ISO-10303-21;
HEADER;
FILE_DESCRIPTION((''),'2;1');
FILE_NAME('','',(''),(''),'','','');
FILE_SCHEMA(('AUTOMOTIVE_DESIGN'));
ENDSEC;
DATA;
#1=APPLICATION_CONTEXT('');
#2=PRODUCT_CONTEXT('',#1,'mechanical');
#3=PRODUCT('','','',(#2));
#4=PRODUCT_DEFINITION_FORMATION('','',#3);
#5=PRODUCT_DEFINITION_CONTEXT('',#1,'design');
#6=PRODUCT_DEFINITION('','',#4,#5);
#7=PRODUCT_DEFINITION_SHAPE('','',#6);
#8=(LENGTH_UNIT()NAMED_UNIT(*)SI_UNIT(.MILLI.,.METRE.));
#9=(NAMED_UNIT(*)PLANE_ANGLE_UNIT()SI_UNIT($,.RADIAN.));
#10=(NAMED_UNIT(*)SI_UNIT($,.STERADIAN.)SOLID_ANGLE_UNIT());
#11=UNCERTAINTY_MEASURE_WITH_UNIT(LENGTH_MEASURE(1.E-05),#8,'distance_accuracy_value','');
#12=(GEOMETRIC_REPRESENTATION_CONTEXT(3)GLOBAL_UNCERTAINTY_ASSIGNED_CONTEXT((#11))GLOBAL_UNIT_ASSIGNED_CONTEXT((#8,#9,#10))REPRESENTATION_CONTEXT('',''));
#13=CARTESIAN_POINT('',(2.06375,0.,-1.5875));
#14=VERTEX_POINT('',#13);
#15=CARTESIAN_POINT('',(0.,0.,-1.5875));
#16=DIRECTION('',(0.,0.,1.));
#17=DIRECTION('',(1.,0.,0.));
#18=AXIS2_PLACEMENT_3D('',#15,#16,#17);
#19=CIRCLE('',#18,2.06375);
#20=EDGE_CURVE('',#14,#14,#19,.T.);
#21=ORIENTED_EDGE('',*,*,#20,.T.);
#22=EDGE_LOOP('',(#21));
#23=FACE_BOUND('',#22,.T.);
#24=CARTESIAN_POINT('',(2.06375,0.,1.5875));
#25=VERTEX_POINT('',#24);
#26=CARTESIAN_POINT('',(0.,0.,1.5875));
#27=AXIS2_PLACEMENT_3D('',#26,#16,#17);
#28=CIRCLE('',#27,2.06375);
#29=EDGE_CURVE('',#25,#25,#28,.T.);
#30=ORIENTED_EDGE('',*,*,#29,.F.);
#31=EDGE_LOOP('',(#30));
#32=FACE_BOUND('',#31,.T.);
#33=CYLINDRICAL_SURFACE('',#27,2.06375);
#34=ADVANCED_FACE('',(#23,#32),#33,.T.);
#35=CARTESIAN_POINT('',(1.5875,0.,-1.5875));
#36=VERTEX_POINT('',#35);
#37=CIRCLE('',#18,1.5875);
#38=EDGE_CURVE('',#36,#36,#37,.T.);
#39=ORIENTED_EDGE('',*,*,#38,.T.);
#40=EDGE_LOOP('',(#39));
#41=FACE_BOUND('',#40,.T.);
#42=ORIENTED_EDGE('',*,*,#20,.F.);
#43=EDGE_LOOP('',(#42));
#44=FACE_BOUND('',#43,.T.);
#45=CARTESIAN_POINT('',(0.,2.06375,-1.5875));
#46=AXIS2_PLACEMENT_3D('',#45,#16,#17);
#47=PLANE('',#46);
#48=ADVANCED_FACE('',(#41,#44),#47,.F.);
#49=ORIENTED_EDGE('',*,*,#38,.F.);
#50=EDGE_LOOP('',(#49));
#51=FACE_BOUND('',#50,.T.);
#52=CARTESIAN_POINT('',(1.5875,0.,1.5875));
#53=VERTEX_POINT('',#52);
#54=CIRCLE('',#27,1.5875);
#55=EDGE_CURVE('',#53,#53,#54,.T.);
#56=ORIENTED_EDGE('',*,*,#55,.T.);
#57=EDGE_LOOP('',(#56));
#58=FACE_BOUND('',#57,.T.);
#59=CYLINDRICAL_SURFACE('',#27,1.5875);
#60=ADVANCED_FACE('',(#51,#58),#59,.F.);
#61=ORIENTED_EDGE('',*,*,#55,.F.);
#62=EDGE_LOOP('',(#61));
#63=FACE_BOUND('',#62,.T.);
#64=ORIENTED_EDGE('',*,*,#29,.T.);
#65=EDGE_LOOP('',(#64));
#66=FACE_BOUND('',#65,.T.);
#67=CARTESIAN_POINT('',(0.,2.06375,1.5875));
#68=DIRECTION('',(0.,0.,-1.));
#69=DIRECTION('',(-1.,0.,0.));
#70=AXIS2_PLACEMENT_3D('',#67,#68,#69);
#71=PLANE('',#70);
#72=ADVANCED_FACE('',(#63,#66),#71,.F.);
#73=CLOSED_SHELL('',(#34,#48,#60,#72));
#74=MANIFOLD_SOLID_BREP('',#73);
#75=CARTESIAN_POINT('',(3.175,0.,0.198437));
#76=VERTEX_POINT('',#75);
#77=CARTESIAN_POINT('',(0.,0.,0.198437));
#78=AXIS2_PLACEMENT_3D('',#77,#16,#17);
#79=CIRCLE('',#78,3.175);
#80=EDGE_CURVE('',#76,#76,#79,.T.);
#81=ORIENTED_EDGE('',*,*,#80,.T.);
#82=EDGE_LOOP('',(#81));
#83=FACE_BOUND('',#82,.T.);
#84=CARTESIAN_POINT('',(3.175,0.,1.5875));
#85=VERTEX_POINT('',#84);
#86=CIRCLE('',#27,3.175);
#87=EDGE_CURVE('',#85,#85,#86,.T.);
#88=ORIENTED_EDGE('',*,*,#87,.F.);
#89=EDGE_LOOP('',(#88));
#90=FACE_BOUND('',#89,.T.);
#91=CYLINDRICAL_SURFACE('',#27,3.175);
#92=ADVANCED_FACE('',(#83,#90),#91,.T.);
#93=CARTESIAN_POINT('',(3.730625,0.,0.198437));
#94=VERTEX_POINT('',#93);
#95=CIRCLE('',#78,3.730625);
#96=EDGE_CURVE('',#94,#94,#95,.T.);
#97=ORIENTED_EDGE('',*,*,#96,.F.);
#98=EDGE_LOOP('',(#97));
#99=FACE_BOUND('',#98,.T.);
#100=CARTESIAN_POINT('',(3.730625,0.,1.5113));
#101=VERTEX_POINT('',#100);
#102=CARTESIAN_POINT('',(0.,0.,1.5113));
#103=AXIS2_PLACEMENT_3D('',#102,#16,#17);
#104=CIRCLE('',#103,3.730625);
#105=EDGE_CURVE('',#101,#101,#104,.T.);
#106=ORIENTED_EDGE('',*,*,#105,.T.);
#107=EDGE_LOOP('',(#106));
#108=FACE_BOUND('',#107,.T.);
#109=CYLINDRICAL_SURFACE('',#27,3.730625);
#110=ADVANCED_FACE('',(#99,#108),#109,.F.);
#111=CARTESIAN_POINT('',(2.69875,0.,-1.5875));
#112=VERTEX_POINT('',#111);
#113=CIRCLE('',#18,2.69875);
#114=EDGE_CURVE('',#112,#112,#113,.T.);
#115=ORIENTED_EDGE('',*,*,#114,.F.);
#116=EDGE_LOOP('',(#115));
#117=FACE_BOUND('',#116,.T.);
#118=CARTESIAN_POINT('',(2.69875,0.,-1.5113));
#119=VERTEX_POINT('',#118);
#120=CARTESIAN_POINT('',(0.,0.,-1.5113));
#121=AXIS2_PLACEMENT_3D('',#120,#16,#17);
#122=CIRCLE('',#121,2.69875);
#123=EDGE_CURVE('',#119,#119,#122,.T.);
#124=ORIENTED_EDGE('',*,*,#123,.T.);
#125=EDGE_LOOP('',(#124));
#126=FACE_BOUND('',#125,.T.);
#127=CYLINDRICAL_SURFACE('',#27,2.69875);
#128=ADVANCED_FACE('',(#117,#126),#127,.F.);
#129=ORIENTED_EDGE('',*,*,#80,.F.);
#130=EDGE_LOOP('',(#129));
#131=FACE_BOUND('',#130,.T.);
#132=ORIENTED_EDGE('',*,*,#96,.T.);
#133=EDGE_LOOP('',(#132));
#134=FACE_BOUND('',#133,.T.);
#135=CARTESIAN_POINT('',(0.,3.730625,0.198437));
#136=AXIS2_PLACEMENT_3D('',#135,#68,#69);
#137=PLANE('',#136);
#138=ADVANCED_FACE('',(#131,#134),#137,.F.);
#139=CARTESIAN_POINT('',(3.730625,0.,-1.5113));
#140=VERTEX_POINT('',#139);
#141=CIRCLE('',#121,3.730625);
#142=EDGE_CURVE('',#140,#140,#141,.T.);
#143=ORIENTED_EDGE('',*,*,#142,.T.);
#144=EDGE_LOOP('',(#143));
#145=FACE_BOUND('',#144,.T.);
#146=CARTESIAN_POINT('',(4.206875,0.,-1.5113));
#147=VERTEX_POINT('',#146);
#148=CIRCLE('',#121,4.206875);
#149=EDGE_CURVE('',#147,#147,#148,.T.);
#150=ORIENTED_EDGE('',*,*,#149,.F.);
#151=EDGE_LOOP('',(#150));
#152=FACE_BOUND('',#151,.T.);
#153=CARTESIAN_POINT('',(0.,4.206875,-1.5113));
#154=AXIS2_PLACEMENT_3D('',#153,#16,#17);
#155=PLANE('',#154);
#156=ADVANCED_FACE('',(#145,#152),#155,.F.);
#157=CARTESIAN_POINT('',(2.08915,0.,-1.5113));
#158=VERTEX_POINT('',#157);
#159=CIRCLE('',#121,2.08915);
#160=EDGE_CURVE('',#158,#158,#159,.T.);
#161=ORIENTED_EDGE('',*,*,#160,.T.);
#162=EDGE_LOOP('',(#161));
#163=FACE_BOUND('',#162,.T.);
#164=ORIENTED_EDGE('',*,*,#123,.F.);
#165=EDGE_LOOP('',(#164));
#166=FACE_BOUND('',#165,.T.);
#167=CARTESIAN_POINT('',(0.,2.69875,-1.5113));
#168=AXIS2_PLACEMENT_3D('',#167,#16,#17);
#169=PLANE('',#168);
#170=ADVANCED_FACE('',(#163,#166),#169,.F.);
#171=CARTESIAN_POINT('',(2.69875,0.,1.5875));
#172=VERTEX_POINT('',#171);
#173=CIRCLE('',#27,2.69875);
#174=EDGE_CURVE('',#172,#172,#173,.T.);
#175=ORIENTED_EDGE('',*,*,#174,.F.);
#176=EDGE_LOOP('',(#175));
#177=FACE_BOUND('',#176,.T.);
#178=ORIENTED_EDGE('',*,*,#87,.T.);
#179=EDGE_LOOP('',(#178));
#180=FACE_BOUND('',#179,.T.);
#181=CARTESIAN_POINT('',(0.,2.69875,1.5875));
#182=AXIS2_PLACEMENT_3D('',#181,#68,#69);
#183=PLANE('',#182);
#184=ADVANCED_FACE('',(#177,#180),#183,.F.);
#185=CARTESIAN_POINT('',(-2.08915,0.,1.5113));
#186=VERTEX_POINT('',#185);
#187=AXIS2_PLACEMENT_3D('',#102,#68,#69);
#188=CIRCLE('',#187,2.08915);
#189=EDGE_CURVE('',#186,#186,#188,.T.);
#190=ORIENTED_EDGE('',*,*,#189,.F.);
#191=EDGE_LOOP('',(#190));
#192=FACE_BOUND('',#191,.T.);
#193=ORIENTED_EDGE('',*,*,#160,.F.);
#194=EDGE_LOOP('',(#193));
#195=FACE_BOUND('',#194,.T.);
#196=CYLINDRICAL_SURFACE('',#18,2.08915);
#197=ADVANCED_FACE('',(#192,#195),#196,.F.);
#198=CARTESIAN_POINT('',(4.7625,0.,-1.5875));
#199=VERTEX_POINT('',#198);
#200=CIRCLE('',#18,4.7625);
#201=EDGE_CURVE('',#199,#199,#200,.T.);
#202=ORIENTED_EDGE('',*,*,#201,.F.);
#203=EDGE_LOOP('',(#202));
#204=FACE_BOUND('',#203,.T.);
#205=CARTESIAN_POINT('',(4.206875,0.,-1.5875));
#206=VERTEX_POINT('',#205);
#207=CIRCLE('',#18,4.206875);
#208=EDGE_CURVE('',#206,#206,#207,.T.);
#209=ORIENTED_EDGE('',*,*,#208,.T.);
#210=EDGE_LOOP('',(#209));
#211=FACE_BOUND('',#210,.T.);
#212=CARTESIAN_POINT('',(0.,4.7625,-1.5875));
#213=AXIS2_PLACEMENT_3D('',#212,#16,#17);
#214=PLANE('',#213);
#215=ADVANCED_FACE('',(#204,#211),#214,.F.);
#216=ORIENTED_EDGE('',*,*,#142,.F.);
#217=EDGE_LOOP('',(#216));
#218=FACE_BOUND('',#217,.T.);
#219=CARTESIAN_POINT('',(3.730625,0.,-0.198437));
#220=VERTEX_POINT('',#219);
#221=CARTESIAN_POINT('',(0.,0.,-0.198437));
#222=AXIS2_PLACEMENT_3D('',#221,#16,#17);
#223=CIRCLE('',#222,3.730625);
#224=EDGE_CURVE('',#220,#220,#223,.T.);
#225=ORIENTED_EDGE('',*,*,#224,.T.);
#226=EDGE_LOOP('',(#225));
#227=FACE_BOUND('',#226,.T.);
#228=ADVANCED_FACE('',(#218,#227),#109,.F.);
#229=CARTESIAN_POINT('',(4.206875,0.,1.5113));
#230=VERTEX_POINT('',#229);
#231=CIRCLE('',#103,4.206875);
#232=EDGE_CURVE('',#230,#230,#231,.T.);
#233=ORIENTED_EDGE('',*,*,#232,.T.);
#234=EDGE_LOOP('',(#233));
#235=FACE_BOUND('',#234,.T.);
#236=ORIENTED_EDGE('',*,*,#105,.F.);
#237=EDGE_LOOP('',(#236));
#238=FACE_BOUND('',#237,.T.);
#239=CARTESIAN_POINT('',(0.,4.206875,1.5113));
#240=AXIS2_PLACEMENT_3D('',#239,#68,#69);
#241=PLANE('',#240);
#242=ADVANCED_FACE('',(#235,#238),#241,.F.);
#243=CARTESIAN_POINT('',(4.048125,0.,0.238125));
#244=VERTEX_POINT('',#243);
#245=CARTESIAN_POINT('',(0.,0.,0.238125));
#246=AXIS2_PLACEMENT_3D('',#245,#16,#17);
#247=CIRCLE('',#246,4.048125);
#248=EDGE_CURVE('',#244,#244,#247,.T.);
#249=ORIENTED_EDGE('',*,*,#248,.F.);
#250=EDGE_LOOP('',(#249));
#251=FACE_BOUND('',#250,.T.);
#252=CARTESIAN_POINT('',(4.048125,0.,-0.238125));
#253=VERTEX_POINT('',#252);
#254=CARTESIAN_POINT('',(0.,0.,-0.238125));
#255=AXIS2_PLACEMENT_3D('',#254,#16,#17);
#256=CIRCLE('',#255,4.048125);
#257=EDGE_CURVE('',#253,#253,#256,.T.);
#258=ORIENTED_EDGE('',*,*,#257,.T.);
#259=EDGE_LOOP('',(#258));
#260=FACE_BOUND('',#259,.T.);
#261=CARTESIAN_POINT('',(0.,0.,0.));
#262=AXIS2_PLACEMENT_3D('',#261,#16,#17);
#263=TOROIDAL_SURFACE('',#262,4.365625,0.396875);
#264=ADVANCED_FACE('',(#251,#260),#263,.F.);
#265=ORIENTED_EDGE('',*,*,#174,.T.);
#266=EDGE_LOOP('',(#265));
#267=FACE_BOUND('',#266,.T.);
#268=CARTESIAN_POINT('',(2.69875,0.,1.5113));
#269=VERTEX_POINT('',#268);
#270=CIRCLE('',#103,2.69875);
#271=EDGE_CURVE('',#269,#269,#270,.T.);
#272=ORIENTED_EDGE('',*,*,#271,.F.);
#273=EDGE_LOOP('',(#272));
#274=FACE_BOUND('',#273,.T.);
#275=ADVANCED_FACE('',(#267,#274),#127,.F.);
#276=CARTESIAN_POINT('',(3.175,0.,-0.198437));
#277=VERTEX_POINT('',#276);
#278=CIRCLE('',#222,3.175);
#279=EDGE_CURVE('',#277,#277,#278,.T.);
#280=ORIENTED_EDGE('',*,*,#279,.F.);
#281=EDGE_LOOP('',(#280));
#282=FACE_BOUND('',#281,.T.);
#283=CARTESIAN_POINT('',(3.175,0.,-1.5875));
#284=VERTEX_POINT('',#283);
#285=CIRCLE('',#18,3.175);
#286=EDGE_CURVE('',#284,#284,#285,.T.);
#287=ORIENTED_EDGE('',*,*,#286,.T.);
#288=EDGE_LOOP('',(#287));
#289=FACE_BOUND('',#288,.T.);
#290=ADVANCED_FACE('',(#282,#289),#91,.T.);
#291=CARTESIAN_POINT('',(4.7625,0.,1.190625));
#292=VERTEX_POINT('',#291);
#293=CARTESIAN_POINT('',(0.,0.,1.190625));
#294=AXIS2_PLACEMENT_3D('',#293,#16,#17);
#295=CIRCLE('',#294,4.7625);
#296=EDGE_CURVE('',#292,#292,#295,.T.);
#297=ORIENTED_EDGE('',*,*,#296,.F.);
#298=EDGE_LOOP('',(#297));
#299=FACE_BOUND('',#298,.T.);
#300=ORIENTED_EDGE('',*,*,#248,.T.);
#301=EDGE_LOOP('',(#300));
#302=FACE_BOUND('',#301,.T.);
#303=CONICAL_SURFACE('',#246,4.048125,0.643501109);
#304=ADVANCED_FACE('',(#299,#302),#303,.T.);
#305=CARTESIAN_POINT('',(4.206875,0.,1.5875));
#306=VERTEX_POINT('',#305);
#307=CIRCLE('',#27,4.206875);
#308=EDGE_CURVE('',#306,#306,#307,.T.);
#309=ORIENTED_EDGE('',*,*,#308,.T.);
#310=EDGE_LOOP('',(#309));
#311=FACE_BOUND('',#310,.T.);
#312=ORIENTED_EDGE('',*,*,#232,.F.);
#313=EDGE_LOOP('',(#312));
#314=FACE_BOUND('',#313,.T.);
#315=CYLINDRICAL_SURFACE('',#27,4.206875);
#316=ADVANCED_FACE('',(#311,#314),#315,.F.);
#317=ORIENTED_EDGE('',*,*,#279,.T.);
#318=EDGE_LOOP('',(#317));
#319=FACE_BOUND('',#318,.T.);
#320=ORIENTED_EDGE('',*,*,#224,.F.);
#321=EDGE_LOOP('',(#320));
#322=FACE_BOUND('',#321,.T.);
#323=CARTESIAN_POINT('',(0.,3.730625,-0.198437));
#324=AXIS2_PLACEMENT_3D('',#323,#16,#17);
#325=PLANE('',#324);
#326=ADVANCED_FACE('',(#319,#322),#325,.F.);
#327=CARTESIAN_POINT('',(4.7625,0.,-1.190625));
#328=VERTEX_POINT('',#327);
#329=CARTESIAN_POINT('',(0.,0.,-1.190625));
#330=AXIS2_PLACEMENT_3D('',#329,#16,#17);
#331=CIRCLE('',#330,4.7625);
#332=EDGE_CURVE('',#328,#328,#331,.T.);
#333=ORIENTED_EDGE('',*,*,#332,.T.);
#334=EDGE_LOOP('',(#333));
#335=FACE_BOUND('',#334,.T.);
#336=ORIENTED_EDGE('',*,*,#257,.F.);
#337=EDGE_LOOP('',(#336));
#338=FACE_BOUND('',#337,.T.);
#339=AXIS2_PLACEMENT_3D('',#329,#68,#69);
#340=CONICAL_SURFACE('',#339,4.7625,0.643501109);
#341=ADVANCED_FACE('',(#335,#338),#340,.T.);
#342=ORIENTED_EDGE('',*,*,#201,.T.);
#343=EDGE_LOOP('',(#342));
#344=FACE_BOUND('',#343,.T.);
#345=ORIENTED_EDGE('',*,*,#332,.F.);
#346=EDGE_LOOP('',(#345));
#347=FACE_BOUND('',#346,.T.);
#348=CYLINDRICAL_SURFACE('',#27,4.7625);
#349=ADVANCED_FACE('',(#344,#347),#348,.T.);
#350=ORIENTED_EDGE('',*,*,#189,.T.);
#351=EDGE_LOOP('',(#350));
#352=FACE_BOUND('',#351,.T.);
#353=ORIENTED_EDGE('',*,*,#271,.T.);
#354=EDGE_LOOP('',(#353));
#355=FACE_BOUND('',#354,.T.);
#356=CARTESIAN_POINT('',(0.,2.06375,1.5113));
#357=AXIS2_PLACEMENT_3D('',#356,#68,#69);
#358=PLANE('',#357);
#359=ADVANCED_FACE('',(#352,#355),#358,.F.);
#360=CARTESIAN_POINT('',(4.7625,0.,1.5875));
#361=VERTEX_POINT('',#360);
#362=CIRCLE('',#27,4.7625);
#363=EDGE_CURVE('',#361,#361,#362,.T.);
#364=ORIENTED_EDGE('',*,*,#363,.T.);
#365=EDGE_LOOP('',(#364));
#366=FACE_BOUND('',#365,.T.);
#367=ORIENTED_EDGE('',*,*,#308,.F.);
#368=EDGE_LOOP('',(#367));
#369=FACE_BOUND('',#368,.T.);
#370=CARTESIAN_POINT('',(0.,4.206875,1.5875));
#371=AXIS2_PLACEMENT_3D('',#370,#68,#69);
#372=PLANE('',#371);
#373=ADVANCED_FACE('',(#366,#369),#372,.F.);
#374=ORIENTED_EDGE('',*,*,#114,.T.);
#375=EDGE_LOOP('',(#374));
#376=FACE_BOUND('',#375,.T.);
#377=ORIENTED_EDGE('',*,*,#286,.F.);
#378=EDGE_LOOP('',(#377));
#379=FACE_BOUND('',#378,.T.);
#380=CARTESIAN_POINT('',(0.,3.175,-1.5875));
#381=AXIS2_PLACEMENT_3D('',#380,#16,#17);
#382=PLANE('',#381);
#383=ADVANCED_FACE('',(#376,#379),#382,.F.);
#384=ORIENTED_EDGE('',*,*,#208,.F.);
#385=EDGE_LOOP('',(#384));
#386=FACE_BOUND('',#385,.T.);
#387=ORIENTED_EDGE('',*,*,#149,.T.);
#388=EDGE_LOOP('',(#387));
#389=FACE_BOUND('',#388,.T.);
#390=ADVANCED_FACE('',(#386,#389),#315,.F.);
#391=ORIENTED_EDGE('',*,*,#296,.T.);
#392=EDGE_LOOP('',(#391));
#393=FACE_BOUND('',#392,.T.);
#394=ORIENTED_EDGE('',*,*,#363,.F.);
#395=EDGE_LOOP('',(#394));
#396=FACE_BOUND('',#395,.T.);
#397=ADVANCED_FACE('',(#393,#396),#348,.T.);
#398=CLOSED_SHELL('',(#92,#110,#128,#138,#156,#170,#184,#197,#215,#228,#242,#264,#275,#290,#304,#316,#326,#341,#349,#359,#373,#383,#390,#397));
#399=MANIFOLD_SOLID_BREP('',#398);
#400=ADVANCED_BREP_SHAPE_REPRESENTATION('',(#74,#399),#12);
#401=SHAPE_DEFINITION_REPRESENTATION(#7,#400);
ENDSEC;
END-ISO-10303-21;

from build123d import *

# Parameters (mm, degrees)
CUT_EXTRUDE_THIN1_DEPTH      = 7.919752073
CUT_EXTRUDE_THIN1_DEPTH_BACK = 7.919752073
SKETCH2_R                    = 2.08915
SKETCH2_R_2                  = 2.06375


with BuildPart() as part:
    # Sketch1 → Revolve1 (revolve)
    with BuildSketch(Plane(origin=(0, 0, 0), x_dir=(0, 0, -1), z_dir=(1, 0, 0)), mode=Mode.PRIVATE) as revolve1_sk:
        with BuildLine():
            Line((1.190625, 4.7625), (1.5875, 4.7625))
            Line((1.5875, 4.7625), (1.5875, 4.206875))
            Line((1.5875, 4.206875), (1.5113, 4.206875))
            Line((1.5113, 4.206875), (1.5113, 3.730625))
            Line((1.5113, 3.730625), (0.1984375, 3.730625))
            Line((0.1984375, 3.730625), (0.1984375, 3.175))
            Line((0.1984375, 3.175), (1.5875, 3.175))
            Line((1.5875, 3.175), (1.5875, 2.69875))
            Line((1.5875, 2.69875), (1.5113, 2.69875))
            Line((1.5113, 2.69875), (1.5113, 2.06375))
            Line((1.5113, 2.06375), (1.5875, 2.06375))
            Line((1.5875, 2.06375), (1.5875, 1.5875))
            Line((1.5875, 1.5875), (-1.5875, 1.5875))
            Line((-1.5875, 1.5875), (-1.5875, 2.06375))
            Line((-1.5875, 2.06375), (-1.5113, 2.06375))
            Line((-1.5113, 2.06375), (-1.5113, 2.69875))
            Line((-1.5113, 2.69875), (-1.5875, 2.69875))
            Line((-1.5875, 2.69875), (-1.5875, 3.175))
            Line((-1.5875, 3.175), (-0.1984375, 3.175))
            Line((-0.1984375, 3.175), (-0.1984375, 3.730625))
            Line((-0.1984375, 3.730625), (-1.5113, 3.730625))
            Line((-1.5113, 3.730625), (-1.5113, 4.206875))
            Line((-1.5113, 4.206875), (-1.5875, 4.206875))
            Line((-1.5875, 4.206875), (-1.5875, 4.7625))
            Line((-1.5875, 4.7625), (-1.190625, 4.7625))
            Line((-1.190625, 4.7625), (-0.238125, 4.048125))
            ThreePointArc((-0.238125, 4.048125), (0, 3.96875), (0.238125, 4.048125))
            Line((0.238125, 4.048125), (1.190625, 4.7625))
        make_face()
    revolve(revolve1_sk.sketch.rotate(Axis((0, 0, 1.5875), (0, 0, -1)), 90), axis=Axis((0, 0, 1.5875), (0, 0, -1)))

    # Sketch2 → Cut-Extrude-Thin1 (cut, two sides: drawn at the far end of the back side and taken through both)
    with BuildSketch(Plane.XY.offset(-CUT_EXTRUDE_THIN1_DEPTH_BACK)):
        Circle(SKETCH2_R)
        Circle(SKETCH2_R_2, mode=Mode.SUBTRACT)
    extrude(amount=CUT_EXTRUDE_THIN1_DEPTH + CUT_EXTRUDE_THIN1_DEPTH_BACK, mode=Mode.SUBTRACT)


with BuildPart() as cut_extrude_thin1_piece_1:
    # of the separate pieces the step leaves, piece 1, a body of its own (cut_extrude_thin1_pieces)
    add(part.part.solids().sort_by_distance((4.048125, 0, 0.238125))[0])


with BuildPart() as cut_extrude_thin1_piece_2:
    # of the separate pieces the step leaves, piece 2, a body of its own (cut_extrude_thin1_pieces)
    add(part.part.solids().sort_by_distance((2.06375, 0, 1.5875))[0])


solid = Compound([cut_extrude_thin1_piece_1.part, cut_extrude_thin1_piece_2.part])
